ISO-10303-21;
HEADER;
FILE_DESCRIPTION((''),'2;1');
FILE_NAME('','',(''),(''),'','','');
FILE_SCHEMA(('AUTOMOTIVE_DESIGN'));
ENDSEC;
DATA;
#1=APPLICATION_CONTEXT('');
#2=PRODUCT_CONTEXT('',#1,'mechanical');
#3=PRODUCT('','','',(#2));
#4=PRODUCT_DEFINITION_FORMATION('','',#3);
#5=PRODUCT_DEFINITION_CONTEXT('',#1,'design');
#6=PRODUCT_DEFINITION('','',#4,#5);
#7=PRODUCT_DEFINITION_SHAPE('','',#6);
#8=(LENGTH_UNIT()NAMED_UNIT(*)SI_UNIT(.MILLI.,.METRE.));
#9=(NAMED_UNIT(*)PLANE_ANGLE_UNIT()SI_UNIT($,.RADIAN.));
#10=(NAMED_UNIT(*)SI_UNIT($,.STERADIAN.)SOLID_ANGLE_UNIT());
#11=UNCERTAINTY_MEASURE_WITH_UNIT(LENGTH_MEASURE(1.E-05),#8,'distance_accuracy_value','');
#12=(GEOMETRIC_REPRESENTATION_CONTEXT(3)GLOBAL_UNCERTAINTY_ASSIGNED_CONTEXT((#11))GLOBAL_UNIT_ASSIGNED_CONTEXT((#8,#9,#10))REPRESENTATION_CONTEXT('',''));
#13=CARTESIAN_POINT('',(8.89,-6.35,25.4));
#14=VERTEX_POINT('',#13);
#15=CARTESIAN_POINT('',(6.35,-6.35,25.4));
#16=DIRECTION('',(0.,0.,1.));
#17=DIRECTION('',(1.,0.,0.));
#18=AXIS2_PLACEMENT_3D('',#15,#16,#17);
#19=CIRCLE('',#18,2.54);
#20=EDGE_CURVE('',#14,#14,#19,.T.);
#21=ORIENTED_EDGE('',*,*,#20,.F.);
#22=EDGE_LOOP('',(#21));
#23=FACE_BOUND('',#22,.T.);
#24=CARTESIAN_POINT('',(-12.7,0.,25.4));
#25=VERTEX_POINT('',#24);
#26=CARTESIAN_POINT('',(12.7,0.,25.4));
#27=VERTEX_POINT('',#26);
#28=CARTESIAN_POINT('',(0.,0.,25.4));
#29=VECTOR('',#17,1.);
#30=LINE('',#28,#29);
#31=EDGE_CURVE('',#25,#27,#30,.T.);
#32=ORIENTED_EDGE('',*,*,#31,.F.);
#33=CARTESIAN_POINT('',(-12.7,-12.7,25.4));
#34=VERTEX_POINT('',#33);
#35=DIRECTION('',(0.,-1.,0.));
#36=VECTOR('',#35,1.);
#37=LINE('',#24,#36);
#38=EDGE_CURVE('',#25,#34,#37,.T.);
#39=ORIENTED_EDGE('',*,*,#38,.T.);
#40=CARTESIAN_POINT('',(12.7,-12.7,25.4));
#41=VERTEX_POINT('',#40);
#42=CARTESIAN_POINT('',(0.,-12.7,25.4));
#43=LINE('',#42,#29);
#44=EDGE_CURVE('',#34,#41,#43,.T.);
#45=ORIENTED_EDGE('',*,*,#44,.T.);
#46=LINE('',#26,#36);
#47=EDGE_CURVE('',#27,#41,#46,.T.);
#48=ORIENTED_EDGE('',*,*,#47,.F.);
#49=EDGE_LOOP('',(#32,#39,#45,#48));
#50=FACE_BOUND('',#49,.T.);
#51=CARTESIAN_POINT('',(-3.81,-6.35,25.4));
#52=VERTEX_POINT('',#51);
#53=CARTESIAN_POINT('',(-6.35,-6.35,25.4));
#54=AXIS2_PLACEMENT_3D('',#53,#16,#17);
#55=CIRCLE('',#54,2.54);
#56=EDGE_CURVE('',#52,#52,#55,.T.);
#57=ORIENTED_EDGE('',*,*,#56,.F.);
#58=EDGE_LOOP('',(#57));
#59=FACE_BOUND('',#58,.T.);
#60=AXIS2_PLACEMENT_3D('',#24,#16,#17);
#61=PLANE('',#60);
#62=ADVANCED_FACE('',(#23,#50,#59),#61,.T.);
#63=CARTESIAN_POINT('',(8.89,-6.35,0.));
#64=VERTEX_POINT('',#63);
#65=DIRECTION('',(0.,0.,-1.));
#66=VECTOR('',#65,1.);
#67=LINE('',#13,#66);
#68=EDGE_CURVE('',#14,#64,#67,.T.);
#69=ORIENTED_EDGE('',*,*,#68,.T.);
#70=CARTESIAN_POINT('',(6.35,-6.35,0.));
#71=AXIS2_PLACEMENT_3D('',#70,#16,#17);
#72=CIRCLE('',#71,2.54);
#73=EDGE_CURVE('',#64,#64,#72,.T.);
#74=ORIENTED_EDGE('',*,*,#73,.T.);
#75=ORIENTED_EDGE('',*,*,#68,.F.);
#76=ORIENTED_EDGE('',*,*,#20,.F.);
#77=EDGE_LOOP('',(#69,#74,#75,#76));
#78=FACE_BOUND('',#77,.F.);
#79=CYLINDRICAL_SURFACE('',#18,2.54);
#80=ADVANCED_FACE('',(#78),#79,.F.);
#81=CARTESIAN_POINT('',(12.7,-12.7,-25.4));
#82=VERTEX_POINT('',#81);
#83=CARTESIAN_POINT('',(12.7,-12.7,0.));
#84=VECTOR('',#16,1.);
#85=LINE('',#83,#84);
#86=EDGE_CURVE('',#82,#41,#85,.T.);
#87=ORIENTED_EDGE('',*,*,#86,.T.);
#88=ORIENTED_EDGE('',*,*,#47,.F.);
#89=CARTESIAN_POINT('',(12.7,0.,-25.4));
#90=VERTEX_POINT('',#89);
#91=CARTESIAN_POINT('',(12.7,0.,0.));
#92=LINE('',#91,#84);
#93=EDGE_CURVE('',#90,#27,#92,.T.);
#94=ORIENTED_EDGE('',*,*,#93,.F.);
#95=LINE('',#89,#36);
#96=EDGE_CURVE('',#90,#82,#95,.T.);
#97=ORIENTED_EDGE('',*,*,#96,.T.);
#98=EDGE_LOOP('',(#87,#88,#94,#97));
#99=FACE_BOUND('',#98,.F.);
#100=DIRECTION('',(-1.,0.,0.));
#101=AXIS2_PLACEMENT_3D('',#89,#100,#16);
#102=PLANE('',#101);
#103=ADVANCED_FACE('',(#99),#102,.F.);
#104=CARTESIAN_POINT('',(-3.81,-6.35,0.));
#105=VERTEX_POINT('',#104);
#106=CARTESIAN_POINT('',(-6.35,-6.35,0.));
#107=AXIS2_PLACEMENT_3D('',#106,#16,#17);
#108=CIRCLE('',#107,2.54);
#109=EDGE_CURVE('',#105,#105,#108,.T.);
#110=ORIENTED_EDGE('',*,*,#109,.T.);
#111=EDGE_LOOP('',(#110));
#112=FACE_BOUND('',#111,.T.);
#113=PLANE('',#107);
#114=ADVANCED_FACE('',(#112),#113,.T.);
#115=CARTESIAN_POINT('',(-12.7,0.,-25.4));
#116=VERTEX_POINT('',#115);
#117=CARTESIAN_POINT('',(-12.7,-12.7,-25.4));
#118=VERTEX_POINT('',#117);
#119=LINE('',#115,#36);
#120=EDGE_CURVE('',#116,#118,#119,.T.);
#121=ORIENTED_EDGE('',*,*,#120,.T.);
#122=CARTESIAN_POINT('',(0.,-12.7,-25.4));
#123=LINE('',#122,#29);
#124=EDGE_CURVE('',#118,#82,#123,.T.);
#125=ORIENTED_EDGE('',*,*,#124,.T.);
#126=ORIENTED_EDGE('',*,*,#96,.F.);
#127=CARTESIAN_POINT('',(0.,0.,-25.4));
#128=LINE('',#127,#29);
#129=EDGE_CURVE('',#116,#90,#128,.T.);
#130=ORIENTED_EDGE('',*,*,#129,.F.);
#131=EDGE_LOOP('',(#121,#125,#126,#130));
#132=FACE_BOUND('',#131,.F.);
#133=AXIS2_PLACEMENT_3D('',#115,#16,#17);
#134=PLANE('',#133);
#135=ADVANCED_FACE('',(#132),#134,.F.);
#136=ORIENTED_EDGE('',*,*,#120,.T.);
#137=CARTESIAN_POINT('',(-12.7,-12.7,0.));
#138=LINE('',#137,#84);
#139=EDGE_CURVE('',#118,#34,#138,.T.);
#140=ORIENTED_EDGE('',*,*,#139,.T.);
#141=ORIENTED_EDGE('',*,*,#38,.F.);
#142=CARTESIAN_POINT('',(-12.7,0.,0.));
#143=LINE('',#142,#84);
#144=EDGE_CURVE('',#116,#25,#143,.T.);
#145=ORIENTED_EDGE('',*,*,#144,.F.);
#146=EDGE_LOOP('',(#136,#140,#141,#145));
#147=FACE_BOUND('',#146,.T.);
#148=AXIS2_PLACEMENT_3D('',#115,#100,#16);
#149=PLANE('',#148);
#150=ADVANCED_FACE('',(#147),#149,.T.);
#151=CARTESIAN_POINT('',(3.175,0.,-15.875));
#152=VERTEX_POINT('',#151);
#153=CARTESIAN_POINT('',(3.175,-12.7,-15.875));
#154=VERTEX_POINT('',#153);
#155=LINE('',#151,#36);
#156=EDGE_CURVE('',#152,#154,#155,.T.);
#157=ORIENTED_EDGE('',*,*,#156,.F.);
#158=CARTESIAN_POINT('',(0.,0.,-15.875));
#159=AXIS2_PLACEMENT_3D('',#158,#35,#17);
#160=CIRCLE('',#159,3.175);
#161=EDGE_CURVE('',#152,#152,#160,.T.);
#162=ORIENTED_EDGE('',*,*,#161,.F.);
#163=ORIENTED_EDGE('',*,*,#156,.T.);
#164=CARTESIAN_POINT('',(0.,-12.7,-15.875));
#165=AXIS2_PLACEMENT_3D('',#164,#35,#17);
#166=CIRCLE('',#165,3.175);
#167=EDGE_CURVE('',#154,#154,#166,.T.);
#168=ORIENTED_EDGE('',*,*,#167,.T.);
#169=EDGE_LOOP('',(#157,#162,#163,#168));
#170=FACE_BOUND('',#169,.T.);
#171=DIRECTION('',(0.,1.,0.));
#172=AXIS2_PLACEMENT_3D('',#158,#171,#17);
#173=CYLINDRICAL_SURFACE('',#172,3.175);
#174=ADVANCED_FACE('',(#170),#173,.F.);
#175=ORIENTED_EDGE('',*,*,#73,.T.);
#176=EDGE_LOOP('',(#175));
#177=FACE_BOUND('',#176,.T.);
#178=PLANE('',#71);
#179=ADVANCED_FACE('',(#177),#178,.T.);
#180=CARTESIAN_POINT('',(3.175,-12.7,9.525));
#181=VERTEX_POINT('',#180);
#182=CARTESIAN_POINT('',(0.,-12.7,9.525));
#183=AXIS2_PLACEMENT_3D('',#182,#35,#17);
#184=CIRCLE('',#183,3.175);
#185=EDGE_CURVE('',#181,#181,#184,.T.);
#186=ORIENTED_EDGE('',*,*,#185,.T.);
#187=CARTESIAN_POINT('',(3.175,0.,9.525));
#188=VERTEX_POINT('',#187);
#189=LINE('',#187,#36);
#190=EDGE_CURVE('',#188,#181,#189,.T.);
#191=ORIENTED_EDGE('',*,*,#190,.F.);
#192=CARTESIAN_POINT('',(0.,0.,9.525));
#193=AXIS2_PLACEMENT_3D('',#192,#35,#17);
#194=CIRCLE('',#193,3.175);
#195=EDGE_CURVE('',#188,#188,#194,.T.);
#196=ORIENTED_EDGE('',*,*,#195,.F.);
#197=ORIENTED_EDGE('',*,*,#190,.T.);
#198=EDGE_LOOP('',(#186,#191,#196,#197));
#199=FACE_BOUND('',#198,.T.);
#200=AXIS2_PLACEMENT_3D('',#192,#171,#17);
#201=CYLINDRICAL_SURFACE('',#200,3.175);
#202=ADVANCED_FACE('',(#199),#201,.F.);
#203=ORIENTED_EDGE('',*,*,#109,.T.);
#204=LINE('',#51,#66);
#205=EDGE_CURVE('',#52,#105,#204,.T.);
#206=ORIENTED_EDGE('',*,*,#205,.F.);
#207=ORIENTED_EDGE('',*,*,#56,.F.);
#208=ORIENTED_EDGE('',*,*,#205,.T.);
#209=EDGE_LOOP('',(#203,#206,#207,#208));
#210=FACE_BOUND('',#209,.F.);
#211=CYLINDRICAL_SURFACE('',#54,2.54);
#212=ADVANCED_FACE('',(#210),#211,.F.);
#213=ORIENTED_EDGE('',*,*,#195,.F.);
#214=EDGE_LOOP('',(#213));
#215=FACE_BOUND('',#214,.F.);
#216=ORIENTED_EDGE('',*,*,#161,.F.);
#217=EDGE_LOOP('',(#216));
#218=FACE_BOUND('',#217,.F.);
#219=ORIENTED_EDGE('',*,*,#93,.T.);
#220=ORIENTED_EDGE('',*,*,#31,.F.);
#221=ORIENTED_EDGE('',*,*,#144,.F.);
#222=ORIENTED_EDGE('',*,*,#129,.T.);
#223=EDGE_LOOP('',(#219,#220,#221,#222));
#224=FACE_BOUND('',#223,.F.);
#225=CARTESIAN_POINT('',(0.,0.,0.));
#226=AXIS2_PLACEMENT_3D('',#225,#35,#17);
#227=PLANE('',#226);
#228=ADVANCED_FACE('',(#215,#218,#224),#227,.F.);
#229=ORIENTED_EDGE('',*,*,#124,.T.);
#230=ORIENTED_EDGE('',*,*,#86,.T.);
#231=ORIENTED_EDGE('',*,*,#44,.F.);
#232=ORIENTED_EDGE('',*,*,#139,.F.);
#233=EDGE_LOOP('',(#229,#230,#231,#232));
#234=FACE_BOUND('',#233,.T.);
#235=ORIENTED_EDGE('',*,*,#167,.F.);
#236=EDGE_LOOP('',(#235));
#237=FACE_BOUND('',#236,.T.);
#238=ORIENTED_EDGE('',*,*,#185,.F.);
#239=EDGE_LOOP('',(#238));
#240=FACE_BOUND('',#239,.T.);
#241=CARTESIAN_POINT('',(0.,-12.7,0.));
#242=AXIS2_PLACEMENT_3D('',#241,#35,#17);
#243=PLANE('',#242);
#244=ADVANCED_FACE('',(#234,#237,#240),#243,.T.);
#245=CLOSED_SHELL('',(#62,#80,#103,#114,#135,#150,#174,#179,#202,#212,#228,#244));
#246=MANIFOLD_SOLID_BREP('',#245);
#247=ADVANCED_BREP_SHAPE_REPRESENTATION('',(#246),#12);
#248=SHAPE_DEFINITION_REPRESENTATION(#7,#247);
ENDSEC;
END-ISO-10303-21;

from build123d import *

# Parameters (mm, degrees)
F0_W     = 25.4
F0_H     = 50.8
F0_R     = 3.175
F1_DEPTH = 12.7
F2_R     = 2.54
F3_DEPTH = 25.4


with BuildPart() as f1:
    # F0 (on Front) → F1 (new body)
    with BuildSketch(Plane.XZ):
        Rectangle(F0_W, F0_H)
        with Locations((0, -15.875)):
            Circle(F0_R, mode=Mode.SUBTRACT)
        with Locations((0, 9.525)):
            Circle(F0_R, mode=Mode.SUBTRACT)
    extrude(amount=F1_DEPTH)

    # F2 (on face) → F3 (cut)
    with BuildSketch(Plane.XY.offset(25.4)):
        with Locations((-6.35, -6.35)):
            Circle(F2_R)
        with Locations((6.35, -6.35)):
            Circle(F2_R)
    extrude(amount=-F3_DEPTH, mode=Mode.SUBTRACT)


solid = f1.part
